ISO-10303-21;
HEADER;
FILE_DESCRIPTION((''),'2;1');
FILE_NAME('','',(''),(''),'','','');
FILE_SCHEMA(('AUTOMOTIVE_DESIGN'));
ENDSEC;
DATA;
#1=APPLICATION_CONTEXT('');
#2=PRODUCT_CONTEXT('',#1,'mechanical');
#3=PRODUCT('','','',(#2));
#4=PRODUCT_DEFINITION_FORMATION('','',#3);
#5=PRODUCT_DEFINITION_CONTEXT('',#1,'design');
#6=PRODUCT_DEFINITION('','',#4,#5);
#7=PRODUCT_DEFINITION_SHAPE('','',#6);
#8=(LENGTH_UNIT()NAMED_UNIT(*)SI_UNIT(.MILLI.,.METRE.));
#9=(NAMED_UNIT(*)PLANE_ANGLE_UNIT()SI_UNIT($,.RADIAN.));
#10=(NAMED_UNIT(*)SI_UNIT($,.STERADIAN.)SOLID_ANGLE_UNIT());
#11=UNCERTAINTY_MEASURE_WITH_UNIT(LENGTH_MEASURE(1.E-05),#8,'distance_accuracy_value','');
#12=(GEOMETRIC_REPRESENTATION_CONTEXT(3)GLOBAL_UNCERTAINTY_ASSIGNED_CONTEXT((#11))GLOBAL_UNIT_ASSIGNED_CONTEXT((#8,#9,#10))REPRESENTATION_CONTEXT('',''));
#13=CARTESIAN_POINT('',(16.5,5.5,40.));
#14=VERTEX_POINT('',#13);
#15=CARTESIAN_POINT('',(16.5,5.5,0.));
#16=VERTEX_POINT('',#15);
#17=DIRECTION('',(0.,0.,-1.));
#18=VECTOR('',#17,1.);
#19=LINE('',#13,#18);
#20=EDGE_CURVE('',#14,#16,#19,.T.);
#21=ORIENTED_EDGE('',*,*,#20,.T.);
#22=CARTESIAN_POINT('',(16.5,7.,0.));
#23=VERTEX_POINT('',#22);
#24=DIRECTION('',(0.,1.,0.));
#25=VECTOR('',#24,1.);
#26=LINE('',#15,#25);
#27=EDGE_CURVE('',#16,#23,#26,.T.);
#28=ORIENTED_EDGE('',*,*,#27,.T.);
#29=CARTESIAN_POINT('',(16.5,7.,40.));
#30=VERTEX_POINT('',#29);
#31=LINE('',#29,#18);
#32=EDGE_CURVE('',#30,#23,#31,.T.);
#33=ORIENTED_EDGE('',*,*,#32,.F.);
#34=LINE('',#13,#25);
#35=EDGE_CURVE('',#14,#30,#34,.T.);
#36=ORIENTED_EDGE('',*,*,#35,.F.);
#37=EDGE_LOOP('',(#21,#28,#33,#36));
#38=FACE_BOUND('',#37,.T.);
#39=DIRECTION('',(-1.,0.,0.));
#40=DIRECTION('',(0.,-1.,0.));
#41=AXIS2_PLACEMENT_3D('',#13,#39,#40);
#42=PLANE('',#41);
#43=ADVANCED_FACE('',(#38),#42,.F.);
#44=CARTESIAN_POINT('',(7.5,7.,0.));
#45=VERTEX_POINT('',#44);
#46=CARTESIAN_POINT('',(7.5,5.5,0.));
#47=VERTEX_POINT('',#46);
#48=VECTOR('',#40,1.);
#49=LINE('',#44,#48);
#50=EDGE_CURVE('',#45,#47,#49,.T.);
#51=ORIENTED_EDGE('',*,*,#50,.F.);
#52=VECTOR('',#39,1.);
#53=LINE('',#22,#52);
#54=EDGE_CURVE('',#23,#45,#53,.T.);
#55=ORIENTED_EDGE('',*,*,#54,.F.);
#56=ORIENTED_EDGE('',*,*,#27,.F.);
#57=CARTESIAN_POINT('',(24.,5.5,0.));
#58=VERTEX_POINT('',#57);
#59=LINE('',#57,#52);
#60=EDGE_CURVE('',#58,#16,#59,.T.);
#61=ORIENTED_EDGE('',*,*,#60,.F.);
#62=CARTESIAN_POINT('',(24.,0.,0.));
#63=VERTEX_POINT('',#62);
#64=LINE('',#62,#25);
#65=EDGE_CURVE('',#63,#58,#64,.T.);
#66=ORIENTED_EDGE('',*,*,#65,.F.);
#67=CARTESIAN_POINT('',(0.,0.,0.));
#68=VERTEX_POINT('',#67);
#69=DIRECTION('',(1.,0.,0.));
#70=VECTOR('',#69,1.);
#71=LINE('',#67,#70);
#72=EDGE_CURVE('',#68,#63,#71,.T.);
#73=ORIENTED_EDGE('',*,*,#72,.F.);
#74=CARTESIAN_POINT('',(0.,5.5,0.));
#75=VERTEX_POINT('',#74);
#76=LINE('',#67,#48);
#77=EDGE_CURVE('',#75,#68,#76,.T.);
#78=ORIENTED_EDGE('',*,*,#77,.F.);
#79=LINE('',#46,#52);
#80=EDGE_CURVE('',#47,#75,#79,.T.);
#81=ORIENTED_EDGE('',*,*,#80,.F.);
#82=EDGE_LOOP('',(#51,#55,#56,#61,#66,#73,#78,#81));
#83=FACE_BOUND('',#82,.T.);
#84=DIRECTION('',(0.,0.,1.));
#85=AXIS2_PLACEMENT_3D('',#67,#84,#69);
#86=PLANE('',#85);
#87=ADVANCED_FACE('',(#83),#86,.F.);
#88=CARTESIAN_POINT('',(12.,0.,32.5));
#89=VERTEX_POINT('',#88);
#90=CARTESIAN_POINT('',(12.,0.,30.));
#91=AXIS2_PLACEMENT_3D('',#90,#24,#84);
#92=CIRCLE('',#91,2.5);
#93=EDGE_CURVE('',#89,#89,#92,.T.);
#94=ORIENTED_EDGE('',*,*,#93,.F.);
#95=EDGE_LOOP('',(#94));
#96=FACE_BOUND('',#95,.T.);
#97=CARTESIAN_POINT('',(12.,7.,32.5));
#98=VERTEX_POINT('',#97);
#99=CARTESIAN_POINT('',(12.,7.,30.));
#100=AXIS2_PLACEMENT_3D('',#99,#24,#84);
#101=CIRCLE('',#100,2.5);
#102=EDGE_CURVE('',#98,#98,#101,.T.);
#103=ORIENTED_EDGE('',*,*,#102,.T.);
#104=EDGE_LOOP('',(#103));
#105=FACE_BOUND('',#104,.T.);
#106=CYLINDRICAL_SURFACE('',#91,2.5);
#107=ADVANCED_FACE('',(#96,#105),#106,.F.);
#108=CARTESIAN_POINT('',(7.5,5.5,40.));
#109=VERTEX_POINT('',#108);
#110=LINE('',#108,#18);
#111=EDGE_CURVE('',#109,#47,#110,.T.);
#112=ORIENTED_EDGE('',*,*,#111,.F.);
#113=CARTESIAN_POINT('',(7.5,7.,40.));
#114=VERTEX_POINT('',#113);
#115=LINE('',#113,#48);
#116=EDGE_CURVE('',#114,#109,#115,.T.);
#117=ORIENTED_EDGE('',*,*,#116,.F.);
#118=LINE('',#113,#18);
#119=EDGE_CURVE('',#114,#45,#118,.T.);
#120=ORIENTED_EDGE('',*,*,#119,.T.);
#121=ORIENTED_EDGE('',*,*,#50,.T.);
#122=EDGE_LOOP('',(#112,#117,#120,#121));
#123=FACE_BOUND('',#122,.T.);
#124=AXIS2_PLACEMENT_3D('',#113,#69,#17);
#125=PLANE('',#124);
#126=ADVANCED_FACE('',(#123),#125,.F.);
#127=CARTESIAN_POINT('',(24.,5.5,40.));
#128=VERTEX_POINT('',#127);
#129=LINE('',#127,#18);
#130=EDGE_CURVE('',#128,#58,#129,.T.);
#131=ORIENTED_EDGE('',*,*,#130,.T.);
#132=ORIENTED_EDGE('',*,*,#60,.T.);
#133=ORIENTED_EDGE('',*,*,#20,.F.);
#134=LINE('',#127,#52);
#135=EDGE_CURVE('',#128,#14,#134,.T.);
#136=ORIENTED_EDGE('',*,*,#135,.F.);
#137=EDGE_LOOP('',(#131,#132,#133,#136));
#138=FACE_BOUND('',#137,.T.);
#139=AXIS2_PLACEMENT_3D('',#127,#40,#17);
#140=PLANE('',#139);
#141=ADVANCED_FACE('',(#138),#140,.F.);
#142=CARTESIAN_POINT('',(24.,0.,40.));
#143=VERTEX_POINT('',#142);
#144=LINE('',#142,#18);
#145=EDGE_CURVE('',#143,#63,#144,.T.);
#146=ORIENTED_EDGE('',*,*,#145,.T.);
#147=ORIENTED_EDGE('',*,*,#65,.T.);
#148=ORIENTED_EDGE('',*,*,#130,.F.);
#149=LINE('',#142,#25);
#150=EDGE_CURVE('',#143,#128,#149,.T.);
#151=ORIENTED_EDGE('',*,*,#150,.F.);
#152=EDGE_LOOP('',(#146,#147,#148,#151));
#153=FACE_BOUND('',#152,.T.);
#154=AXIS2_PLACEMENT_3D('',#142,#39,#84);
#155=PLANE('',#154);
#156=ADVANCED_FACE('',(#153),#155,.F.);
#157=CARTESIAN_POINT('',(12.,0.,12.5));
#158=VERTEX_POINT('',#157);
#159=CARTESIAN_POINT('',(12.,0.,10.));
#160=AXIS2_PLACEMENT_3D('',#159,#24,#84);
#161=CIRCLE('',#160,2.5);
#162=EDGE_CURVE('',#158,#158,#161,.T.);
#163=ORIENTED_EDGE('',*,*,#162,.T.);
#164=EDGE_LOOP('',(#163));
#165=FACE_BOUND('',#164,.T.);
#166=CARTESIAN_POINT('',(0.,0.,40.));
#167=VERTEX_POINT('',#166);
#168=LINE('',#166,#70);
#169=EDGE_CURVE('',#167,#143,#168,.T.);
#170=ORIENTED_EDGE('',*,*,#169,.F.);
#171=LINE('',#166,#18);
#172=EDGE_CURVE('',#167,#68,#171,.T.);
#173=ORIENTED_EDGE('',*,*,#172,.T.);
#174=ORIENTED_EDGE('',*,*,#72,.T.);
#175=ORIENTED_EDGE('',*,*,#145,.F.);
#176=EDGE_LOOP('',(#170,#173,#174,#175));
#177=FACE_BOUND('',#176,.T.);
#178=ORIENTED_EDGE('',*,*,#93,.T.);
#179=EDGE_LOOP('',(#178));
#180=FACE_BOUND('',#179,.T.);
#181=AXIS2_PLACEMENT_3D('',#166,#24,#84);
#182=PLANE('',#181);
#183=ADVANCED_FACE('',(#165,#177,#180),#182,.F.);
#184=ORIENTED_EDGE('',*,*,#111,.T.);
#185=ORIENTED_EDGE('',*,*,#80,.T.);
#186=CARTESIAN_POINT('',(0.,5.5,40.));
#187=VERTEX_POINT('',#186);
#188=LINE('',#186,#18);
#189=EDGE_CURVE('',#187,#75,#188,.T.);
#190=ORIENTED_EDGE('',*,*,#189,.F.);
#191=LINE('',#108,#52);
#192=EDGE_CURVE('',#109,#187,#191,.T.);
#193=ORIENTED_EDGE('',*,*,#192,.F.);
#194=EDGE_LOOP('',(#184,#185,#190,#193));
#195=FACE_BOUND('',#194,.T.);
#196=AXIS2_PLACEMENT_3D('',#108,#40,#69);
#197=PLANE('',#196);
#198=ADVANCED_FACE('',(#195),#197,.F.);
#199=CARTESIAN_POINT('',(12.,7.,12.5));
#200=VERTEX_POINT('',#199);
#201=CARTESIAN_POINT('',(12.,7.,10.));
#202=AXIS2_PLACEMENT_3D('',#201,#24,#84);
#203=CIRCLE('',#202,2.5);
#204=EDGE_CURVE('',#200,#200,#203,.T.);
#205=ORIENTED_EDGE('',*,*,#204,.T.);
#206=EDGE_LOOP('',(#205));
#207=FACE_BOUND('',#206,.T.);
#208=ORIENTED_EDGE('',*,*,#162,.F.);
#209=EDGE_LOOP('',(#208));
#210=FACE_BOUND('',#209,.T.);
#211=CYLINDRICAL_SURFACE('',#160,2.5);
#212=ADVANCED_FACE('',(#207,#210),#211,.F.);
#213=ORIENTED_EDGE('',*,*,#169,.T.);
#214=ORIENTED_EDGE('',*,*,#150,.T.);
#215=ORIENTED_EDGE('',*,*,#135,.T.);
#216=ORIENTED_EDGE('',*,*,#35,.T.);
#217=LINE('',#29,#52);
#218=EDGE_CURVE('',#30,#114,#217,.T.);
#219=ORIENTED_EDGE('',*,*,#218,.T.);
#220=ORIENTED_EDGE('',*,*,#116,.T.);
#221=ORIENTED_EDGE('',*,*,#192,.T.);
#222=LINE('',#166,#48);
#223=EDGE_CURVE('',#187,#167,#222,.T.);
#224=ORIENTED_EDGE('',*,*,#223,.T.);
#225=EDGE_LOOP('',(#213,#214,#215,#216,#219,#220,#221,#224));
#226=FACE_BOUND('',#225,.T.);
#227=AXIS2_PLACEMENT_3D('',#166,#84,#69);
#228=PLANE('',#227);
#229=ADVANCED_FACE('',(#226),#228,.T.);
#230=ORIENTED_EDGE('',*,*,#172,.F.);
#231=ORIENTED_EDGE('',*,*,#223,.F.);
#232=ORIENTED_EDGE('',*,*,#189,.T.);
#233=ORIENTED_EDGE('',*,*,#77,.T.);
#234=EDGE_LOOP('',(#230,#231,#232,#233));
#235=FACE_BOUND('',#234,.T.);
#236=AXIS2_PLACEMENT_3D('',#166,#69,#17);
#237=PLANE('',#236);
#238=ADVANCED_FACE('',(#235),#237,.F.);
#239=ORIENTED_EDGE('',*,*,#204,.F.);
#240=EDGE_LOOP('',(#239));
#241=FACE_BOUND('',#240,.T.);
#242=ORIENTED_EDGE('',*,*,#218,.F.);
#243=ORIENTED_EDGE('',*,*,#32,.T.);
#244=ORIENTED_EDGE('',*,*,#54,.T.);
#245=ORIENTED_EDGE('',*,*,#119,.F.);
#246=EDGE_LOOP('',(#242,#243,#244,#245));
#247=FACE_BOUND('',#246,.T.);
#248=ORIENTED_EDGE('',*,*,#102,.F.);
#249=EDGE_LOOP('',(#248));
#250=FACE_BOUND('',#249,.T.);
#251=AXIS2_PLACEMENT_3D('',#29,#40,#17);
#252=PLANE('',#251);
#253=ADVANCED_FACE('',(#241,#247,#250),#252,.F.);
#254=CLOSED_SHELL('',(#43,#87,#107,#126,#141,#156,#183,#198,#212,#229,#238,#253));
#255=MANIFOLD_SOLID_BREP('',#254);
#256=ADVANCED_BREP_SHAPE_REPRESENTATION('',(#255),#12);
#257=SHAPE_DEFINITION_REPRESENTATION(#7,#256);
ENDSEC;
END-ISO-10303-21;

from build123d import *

# Parameters (mm, degrees)
BOSS_EXTRU_1_DEPTH      = 40
ESQUISSE2_R             = 2.5
ENL_V_MAT_EXTRU_1_DEPTH = 8


with BuildPart() as part:
    # Esquisse1 → Boss.-Extru.1 (new body)
    with BuildSketch(Plane.XY):
        Polygon((24, 5.5), (16.5, 5.5), (16.5, 7), (7.5, 7), (7.5, 5.5), (0, 5.5), (0, 0), (24, 0), align=None)
    extrude(amount=BOSS_EXTRU_1_DEPTH)

    # Esquisse2 → Enlèv. mat.-Extru.1 (cut, through all)
    with BuildSketch(Plane(origin=(0, 7, 0), x_dir=(1, 0, 0), z_dir=(0, 1, 0))):
        with Locations((12, -10)):
            Circle(ESQUISSE2_R)
        with Locations((12, -30)):
            Circle(ESQUISSE2_R)
    extrude(amount=-ENL_V_MAT_EXTRU_1_DEPTH, mode=Mode.SUBTRACT)


solid = part.part
